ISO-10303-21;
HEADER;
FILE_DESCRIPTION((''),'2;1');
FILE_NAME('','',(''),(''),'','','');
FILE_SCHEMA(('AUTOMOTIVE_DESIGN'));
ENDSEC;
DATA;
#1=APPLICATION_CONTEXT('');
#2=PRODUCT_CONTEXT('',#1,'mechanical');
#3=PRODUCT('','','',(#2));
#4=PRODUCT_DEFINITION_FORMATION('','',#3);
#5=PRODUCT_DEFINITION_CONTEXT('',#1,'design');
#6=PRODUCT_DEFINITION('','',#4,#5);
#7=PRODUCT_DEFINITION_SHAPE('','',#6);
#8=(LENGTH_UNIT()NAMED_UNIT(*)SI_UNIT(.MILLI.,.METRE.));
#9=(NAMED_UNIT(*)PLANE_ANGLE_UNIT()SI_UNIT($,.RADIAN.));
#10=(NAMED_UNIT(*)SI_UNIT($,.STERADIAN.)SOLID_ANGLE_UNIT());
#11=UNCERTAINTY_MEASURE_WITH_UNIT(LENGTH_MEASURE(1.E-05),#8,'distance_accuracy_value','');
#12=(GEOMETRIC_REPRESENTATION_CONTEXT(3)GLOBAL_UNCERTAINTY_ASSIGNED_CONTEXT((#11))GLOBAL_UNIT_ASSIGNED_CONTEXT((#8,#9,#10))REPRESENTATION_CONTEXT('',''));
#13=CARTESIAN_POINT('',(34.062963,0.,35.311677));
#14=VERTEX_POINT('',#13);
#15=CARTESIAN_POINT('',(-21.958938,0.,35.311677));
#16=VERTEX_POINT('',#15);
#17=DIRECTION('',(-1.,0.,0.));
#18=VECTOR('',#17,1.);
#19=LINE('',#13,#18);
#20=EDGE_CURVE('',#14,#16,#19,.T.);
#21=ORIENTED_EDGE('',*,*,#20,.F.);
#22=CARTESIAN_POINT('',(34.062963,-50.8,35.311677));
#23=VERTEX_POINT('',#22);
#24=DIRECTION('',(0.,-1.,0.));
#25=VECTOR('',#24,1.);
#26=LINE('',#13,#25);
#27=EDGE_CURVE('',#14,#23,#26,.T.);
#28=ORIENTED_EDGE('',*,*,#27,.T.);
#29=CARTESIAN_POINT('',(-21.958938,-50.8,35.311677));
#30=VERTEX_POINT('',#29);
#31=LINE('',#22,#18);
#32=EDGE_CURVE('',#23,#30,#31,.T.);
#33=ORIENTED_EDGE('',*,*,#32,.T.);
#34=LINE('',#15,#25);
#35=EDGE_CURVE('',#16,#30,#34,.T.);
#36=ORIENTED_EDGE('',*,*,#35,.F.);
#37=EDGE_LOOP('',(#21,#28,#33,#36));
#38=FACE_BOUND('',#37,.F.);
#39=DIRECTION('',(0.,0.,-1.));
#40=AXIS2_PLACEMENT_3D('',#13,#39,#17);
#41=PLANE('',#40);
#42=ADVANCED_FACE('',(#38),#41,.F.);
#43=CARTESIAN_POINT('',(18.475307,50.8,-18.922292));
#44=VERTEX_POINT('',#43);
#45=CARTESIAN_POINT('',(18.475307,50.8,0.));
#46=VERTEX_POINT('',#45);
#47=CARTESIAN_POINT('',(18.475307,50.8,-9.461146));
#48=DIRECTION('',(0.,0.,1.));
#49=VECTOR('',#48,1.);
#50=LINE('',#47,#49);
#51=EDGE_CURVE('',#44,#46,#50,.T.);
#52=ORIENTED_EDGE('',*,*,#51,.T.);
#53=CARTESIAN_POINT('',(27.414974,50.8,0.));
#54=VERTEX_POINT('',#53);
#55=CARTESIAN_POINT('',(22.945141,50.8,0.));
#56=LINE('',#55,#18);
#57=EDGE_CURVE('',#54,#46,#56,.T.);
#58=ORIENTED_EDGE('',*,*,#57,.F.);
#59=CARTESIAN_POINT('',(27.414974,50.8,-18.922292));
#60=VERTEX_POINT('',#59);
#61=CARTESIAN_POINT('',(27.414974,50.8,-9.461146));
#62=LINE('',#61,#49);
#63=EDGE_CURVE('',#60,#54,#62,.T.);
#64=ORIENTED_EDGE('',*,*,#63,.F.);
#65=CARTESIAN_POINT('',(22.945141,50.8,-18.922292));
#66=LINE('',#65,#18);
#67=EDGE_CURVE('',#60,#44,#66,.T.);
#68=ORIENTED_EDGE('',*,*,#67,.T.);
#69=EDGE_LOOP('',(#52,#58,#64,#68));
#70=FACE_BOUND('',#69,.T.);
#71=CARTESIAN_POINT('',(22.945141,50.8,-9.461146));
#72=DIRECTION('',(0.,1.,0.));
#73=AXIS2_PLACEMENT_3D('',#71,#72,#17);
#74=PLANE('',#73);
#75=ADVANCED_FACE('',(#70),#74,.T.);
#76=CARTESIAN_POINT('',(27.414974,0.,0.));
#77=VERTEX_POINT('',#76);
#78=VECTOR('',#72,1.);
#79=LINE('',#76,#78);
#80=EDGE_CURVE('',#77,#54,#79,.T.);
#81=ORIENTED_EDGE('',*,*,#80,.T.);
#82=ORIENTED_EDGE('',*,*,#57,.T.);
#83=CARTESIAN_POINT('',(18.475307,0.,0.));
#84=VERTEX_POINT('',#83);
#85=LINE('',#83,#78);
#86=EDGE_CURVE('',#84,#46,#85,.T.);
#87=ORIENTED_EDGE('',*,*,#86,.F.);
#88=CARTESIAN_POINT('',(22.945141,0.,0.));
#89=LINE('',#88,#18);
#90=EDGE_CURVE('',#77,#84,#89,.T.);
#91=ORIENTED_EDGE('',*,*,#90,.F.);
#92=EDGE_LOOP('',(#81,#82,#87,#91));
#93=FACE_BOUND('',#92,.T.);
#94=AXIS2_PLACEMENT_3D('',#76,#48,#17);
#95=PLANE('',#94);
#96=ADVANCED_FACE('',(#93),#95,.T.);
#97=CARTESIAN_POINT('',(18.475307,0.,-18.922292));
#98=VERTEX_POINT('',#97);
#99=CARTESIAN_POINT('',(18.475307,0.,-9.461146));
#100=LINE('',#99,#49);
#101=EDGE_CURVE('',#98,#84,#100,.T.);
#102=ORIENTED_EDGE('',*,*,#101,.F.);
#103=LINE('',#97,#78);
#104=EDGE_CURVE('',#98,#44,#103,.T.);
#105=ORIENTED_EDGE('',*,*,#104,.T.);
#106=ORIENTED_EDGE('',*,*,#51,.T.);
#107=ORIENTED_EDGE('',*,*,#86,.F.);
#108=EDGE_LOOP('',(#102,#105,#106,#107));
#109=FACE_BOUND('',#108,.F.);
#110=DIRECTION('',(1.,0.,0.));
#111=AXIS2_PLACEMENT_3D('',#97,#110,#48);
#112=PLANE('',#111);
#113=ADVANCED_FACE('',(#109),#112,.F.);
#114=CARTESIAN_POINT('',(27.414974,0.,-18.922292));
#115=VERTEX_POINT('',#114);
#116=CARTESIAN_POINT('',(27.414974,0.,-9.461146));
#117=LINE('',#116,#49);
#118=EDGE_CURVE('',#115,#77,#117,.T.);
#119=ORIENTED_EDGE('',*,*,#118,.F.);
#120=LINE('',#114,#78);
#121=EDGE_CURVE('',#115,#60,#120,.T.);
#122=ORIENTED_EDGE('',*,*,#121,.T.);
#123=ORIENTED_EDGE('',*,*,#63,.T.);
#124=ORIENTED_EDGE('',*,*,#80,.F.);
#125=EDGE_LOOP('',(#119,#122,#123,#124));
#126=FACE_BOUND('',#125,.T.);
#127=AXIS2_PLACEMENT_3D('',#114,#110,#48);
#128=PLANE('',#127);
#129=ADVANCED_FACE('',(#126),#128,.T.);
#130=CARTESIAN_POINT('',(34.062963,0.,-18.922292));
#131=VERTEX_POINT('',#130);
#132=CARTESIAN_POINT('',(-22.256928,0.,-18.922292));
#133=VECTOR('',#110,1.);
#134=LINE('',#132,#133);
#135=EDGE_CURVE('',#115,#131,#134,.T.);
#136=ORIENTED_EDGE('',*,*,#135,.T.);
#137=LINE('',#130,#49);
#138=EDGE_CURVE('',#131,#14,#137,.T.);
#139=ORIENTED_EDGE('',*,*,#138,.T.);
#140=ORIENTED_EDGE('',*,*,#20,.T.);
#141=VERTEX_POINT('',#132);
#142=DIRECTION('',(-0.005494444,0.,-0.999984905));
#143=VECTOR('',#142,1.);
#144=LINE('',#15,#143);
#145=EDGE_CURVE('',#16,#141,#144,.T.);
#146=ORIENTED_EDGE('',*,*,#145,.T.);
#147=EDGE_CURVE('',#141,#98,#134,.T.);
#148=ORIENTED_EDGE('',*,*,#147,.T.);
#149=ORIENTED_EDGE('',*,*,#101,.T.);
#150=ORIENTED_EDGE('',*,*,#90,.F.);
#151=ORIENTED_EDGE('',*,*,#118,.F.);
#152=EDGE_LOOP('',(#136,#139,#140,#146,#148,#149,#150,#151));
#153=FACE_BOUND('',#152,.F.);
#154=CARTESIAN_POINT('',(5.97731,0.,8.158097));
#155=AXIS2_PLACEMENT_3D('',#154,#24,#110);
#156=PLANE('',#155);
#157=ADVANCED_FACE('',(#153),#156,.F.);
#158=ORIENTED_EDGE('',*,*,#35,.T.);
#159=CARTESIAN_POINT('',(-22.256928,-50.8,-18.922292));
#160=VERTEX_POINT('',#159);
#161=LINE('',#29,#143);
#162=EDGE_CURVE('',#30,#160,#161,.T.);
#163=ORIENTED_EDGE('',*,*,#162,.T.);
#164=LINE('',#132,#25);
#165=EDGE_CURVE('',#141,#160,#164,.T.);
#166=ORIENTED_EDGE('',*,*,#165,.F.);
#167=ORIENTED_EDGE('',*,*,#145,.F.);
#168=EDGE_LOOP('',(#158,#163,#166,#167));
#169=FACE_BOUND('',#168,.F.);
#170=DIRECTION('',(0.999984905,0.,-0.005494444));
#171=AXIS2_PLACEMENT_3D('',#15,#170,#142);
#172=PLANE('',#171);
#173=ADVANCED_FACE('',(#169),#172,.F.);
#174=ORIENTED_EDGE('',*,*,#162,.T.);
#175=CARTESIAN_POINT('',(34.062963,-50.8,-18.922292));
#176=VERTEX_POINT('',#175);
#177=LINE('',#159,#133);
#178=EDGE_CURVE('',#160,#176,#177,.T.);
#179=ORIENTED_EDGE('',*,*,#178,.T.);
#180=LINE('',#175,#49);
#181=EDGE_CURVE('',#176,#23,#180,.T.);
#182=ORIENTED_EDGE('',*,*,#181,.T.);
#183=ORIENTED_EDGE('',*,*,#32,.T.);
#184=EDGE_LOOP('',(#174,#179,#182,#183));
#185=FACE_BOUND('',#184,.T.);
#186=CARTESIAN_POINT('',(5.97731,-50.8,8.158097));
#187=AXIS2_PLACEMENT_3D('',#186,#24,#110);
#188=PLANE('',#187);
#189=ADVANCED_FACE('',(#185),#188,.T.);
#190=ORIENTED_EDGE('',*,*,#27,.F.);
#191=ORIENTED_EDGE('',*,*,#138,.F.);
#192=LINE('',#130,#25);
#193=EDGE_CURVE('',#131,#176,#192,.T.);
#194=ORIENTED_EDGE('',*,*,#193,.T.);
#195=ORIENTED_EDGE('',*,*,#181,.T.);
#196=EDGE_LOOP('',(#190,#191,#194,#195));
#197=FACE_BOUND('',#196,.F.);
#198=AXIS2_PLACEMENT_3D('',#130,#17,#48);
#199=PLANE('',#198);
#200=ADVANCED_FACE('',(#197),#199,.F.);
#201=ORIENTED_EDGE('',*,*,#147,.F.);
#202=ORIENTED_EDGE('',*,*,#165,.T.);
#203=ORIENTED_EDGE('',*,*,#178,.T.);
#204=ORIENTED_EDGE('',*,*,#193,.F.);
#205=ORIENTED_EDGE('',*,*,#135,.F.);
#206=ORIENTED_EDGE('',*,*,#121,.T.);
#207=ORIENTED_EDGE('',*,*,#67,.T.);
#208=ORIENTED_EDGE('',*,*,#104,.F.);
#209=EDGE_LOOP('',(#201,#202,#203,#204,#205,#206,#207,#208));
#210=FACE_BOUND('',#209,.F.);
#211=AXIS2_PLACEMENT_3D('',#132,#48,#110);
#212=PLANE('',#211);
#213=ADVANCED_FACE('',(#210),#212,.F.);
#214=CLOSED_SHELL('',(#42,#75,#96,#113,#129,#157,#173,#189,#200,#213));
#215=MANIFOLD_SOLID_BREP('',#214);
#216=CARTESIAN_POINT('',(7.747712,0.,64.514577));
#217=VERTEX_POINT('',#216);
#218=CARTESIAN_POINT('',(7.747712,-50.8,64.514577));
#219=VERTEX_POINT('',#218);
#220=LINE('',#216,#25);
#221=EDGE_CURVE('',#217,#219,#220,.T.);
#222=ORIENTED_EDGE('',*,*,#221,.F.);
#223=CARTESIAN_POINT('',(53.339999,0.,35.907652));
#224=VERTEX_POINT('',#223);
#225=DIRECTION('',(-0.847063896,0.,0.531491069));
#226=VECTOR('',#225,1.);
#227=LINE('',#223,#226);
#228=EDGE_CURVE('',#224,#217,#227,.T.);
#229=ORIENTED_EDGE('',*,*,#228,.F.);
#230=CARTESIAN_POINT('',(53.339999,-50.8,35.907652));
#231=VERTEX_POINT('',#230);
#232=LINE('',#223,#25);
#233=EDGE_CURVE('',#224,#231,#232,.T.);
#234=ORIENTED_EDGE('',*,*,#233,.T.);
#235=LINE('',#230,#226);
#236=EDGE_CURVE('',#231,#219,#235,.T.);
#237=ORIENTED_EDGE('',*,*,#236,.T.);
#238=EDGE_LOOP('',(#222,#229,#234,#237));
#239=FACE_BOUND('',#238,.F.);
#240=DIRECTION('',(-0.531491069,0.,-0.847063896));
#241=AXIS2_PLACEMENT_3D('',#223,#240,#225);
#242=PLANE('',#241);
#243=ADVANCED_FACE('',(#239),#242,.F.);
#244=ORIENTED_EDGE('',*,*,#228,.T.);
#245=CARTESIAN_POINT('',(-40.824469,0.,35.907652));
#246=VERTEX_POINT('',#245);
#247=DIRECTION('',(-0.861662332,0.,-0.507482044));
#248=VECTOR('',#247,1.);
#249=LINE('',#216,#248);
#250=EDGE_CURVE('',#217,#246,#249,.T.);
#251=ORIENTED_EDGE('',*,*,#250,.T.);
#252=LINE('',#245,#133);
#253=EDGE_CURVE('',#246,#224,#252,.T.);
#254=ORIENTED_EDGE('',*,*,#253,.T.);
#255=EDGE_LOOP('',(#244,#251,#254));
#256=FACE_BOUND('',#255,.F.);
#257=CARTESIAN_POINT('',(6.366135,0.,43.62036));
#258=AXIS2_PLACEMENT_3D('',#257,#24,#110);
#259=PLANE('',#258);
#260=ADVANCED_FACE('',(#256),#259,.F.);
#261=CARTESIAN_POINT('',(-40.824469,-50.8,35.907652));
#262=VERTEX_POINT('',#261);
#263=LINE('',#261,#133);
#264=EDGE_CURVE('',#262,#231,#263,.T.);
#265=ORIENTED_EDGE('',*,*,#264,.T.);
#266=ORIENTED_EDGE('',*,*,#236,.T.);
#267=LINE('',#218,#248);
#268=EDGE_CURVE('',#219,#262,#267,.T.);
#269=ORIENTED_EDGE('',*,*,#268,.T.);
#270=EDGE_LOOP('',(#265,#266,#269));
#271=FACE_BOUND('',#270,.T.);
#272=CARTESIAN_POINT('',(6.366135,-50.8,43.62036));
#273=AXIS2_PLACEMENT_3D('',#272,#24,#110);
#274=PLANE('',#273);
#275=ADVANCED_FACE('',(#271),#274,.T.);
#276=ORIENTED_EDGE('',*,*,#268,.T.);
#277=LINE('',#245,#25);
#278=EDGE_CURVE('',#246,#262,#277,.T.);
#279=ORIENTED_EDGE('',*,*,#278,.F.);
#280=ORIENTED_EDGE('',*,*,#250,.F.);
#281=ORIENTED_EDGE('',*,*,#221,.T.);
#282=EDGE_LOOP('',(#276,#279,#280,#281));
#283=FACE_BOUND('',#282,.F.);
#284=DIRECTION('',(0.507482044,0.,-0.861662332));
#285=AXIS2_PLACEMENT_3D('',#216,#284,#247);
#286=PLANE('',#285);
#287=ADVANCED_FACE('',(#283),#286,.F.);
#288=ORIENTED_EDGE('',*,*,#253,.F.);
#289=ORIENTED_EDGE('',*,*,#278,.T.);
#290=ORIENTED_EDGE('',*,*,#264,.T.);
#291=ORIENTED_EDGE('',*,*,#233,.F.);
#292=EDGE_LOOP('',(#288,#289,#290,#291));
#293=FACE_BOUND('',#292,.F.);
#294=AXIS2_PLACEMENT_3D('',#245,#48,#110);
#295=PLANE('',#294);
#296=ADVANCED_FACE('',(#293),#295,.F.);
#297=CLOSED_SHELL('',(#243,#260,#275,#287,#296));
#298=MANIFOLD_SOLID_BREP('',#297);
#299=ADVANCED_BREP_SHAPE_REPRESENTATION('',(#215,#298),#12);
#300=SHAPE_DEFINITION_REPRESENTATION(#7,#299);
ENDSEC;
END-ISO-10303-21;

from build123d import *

# Parameters (mm, degrees)
F1_DEPTH = 50.8
F3_DEPTH = 50.8
F4_W     = 8.939667
F4_H     = 18.922292
F5_DEPTH = 50.8


with BuildPart() as f1:
    # F0 (on Front) → F1 (new body)
    with BuildSketch(Plane.XZ):
        Polygon((34.062963, 35.311677), (-21.958938, 35.311677), (-22.256928, -18.922292), (34.062963, -18.922292), align=None)
    extrude(amount=F1_DEPTH)

    # F4 (on face) → F5 (join)
    with BuildSketch(Plane(origin=(0, 0, 0), x_dir=(-1, 0, 0), z_dir=(0, 1, 0))):
        with Locations((-22.945141, -9.461146)):
            Rectangle(F4_W, F4_H)
    extrude(amount=F5_DEPTH)


with BuildPart() as f3:
    # F2 (on Front) → F3 (new body)
    with BuildSketch(Plane.XZ):
        Polygon((7.747712, 64.514577), (-40.824469, 35.907652), (53.339999, 35.907652), align=None)
    extrude(amount=F3_DEPTH)


solid = Compound([f1.part, f3.part])
